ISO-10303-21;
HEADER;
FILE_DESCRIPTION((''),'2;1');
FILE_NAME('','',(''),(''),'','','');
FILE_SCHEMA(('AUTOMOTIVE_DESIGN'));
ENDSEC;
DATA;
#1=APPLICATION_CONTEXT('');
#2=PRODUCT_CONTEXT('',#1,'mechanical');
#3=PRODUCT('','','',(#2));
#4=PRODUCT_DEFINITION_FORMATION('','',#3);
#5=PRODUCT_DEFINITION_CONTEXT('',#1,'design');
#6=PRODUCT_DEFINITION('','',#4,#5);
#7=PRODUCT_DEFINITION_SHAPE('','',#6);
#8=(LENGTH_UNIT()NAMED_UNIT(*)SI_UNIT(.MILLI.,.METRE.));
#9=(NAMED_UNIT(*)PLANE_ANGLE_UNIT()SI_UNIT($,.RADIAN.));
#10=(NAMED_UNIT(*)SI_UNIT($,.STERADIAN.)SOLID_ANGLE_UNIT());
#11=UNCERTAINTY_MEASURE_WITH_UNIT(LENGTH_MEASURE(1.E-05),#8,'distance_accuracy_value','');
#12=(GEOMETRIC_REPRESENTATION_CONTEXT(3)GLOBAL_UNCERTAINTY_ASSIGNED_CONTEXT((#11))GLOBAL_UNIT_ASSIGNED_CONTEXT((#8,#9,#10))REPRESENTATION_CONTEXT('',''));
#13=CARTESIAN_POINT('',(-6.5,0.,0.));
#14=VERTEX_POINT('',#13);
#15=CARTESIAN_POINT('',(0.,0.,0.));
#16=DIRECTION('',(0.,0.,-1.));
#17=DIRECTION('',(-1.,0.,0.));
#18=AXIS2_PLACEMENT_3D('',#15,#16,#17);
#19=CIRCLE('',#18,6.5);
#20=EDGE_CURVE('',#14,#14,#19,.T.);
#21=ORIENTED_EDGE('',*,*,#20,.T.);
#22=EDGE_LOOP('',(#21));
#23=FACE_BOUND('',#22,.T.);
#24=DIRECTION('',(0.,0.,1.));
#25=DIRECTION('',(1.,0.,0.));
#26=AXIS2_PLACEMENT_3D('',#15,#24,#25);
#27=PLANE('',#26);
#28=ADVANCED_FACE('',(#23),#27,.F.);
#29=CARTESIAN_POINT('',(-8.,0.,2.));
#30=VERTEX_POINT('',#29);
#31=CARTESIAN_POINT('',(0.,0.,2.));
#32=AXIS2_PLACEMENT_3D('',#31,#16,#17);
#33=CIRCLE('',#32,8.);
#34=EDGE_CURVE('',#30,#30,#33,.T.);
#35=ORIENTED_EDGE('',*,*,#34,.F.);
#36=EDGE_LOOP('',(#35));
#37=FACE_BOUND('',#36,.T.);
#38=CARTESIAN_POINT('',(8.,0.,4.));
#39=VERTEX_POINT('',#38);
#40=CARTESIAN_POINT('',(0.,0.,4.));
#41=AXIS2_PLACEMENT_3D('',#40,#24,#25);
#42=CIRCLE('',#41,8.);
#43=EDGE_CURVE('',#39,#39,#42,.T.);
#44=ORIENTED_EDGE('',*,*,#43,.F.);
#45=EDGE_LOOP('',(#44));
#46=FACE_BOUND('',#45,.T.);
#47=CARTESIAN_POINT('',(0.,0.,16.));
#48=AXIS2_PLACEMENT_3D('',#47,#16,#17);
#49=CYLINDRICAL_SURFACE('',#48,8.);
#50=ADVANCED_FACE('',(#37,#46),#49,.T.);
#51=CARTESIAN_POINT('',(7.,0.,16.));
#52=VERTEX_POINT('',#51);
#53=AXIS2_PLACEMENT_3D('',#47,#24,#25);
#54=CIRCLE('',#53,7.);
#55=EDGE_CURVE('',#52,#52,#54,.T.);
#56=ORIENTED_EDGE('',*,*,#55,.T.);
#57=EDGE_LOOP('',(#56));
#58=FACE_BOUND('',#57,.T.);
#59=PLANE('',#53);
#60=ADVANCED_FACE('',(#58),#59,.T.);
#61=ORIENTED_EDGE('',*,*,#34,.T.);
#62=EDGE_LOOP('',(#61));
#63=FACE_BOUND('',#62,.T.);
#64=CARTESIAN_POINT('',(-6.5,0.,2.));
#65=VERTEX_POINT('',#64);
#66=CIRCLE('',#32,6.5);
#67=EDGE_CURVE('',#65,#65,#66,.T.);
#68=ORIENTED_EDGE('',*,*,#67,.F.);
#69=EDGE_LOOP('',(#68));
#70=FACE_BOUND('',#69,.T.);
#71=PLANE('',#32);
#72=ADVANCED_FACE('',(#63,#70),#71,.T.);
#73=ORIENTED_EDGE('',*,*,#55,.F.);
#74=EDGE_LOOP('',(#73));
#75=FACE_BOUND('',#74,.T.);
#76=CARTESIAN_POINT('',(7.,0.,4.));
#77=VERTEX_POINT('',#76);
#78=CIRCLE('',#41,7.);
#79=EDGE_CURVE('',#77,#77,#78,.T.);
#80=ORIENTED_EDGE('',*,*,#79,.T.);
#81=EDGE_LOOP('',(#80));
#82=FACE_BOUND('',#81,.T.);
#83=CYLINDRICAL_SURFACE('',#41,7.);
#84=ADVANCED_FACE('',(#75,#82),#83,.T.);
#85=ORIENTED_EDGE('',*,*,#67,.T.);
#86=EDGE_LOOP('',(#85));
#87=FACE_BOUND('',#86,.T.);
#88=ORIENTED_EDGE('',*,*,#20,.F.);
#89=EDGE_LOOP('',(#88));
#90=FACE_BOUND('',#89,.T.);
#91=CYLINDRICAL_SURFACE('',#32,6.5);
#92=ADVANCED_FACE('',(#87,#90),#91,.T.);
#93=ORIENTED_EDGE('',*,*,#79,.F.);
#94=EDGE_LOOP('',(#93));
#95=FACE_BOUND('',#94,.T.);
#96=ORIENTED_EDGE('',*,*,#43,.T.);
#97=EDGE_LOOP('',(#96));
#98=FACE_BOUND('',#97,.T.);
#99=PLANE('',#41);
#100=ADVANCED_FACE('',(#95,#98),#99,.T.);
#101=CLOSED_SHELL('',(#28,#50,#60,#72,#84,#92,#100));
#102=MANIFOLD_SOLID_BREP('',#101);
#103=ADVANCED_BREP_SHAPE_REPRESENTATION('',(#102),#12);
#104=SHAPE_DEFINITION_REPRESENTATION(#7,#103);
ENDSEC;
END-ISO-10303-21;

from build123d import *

# Parameters (mm, degrees)
SZKIC1_R                    = 8
DODANIE_WYCI_GNI_CIE1_DEPTH = 16
WYTNIJ_WYCI_GNI_CIE1_START  = -12
SZKIC2_R                    = 8
SZKIC2_R_2                  = 7
WYTNIJ_WYCI_GNI_CIE1_DEPTH  = 12
SZKIC3_R                    = 8
SZKIC3_R_2                  = 6.5
WYTNIJ_WYCI_GNI_CIE2_DEPTH  = 2


with BuildPart() as part:
    # Szkic1 → Dodanie-wyciągnięcie1 (new body)
    with BuildSketch(Plane.XY):
        Circle(SZKIC1_R)
    extrude(amount=DODANIE_WYCI_GNI_CIE1_DEPTH)

    # Szkic2 → Wytnij-wyciągnięcie1 (cut)
    with BuildSketch(Plane.XY.offset(16).offset(WYTNIJ_WYCI_GNI_CIE1_START)):
        Circle(SZKIC2_R)
        Circle(SZKIC2_R_2, mode=Mode.SUBTRACT)
    extrude(amount=WYTNIJ_WYCI_GNI_CIE1_DEPTH, mode=Mode.SUBTRACT)

    # Szkic3 → Wytnij-wyciągnięcie2 (cut)
    with BuildSketch(Plane(origin=(0, 0, 0), x_dir=(-1, 0, 0), z_dir=(0, 0, -1))):
        Circle(SZKIC3_R)
        Circle(SZKIC3_R_2, mode=Mode.SUBTRACT)
    extrude(amount=-WYTNIJ_WYCI_GNI_CIE2_DEPTH, mode=Mode.SUBTRACT)


solid = part.part
